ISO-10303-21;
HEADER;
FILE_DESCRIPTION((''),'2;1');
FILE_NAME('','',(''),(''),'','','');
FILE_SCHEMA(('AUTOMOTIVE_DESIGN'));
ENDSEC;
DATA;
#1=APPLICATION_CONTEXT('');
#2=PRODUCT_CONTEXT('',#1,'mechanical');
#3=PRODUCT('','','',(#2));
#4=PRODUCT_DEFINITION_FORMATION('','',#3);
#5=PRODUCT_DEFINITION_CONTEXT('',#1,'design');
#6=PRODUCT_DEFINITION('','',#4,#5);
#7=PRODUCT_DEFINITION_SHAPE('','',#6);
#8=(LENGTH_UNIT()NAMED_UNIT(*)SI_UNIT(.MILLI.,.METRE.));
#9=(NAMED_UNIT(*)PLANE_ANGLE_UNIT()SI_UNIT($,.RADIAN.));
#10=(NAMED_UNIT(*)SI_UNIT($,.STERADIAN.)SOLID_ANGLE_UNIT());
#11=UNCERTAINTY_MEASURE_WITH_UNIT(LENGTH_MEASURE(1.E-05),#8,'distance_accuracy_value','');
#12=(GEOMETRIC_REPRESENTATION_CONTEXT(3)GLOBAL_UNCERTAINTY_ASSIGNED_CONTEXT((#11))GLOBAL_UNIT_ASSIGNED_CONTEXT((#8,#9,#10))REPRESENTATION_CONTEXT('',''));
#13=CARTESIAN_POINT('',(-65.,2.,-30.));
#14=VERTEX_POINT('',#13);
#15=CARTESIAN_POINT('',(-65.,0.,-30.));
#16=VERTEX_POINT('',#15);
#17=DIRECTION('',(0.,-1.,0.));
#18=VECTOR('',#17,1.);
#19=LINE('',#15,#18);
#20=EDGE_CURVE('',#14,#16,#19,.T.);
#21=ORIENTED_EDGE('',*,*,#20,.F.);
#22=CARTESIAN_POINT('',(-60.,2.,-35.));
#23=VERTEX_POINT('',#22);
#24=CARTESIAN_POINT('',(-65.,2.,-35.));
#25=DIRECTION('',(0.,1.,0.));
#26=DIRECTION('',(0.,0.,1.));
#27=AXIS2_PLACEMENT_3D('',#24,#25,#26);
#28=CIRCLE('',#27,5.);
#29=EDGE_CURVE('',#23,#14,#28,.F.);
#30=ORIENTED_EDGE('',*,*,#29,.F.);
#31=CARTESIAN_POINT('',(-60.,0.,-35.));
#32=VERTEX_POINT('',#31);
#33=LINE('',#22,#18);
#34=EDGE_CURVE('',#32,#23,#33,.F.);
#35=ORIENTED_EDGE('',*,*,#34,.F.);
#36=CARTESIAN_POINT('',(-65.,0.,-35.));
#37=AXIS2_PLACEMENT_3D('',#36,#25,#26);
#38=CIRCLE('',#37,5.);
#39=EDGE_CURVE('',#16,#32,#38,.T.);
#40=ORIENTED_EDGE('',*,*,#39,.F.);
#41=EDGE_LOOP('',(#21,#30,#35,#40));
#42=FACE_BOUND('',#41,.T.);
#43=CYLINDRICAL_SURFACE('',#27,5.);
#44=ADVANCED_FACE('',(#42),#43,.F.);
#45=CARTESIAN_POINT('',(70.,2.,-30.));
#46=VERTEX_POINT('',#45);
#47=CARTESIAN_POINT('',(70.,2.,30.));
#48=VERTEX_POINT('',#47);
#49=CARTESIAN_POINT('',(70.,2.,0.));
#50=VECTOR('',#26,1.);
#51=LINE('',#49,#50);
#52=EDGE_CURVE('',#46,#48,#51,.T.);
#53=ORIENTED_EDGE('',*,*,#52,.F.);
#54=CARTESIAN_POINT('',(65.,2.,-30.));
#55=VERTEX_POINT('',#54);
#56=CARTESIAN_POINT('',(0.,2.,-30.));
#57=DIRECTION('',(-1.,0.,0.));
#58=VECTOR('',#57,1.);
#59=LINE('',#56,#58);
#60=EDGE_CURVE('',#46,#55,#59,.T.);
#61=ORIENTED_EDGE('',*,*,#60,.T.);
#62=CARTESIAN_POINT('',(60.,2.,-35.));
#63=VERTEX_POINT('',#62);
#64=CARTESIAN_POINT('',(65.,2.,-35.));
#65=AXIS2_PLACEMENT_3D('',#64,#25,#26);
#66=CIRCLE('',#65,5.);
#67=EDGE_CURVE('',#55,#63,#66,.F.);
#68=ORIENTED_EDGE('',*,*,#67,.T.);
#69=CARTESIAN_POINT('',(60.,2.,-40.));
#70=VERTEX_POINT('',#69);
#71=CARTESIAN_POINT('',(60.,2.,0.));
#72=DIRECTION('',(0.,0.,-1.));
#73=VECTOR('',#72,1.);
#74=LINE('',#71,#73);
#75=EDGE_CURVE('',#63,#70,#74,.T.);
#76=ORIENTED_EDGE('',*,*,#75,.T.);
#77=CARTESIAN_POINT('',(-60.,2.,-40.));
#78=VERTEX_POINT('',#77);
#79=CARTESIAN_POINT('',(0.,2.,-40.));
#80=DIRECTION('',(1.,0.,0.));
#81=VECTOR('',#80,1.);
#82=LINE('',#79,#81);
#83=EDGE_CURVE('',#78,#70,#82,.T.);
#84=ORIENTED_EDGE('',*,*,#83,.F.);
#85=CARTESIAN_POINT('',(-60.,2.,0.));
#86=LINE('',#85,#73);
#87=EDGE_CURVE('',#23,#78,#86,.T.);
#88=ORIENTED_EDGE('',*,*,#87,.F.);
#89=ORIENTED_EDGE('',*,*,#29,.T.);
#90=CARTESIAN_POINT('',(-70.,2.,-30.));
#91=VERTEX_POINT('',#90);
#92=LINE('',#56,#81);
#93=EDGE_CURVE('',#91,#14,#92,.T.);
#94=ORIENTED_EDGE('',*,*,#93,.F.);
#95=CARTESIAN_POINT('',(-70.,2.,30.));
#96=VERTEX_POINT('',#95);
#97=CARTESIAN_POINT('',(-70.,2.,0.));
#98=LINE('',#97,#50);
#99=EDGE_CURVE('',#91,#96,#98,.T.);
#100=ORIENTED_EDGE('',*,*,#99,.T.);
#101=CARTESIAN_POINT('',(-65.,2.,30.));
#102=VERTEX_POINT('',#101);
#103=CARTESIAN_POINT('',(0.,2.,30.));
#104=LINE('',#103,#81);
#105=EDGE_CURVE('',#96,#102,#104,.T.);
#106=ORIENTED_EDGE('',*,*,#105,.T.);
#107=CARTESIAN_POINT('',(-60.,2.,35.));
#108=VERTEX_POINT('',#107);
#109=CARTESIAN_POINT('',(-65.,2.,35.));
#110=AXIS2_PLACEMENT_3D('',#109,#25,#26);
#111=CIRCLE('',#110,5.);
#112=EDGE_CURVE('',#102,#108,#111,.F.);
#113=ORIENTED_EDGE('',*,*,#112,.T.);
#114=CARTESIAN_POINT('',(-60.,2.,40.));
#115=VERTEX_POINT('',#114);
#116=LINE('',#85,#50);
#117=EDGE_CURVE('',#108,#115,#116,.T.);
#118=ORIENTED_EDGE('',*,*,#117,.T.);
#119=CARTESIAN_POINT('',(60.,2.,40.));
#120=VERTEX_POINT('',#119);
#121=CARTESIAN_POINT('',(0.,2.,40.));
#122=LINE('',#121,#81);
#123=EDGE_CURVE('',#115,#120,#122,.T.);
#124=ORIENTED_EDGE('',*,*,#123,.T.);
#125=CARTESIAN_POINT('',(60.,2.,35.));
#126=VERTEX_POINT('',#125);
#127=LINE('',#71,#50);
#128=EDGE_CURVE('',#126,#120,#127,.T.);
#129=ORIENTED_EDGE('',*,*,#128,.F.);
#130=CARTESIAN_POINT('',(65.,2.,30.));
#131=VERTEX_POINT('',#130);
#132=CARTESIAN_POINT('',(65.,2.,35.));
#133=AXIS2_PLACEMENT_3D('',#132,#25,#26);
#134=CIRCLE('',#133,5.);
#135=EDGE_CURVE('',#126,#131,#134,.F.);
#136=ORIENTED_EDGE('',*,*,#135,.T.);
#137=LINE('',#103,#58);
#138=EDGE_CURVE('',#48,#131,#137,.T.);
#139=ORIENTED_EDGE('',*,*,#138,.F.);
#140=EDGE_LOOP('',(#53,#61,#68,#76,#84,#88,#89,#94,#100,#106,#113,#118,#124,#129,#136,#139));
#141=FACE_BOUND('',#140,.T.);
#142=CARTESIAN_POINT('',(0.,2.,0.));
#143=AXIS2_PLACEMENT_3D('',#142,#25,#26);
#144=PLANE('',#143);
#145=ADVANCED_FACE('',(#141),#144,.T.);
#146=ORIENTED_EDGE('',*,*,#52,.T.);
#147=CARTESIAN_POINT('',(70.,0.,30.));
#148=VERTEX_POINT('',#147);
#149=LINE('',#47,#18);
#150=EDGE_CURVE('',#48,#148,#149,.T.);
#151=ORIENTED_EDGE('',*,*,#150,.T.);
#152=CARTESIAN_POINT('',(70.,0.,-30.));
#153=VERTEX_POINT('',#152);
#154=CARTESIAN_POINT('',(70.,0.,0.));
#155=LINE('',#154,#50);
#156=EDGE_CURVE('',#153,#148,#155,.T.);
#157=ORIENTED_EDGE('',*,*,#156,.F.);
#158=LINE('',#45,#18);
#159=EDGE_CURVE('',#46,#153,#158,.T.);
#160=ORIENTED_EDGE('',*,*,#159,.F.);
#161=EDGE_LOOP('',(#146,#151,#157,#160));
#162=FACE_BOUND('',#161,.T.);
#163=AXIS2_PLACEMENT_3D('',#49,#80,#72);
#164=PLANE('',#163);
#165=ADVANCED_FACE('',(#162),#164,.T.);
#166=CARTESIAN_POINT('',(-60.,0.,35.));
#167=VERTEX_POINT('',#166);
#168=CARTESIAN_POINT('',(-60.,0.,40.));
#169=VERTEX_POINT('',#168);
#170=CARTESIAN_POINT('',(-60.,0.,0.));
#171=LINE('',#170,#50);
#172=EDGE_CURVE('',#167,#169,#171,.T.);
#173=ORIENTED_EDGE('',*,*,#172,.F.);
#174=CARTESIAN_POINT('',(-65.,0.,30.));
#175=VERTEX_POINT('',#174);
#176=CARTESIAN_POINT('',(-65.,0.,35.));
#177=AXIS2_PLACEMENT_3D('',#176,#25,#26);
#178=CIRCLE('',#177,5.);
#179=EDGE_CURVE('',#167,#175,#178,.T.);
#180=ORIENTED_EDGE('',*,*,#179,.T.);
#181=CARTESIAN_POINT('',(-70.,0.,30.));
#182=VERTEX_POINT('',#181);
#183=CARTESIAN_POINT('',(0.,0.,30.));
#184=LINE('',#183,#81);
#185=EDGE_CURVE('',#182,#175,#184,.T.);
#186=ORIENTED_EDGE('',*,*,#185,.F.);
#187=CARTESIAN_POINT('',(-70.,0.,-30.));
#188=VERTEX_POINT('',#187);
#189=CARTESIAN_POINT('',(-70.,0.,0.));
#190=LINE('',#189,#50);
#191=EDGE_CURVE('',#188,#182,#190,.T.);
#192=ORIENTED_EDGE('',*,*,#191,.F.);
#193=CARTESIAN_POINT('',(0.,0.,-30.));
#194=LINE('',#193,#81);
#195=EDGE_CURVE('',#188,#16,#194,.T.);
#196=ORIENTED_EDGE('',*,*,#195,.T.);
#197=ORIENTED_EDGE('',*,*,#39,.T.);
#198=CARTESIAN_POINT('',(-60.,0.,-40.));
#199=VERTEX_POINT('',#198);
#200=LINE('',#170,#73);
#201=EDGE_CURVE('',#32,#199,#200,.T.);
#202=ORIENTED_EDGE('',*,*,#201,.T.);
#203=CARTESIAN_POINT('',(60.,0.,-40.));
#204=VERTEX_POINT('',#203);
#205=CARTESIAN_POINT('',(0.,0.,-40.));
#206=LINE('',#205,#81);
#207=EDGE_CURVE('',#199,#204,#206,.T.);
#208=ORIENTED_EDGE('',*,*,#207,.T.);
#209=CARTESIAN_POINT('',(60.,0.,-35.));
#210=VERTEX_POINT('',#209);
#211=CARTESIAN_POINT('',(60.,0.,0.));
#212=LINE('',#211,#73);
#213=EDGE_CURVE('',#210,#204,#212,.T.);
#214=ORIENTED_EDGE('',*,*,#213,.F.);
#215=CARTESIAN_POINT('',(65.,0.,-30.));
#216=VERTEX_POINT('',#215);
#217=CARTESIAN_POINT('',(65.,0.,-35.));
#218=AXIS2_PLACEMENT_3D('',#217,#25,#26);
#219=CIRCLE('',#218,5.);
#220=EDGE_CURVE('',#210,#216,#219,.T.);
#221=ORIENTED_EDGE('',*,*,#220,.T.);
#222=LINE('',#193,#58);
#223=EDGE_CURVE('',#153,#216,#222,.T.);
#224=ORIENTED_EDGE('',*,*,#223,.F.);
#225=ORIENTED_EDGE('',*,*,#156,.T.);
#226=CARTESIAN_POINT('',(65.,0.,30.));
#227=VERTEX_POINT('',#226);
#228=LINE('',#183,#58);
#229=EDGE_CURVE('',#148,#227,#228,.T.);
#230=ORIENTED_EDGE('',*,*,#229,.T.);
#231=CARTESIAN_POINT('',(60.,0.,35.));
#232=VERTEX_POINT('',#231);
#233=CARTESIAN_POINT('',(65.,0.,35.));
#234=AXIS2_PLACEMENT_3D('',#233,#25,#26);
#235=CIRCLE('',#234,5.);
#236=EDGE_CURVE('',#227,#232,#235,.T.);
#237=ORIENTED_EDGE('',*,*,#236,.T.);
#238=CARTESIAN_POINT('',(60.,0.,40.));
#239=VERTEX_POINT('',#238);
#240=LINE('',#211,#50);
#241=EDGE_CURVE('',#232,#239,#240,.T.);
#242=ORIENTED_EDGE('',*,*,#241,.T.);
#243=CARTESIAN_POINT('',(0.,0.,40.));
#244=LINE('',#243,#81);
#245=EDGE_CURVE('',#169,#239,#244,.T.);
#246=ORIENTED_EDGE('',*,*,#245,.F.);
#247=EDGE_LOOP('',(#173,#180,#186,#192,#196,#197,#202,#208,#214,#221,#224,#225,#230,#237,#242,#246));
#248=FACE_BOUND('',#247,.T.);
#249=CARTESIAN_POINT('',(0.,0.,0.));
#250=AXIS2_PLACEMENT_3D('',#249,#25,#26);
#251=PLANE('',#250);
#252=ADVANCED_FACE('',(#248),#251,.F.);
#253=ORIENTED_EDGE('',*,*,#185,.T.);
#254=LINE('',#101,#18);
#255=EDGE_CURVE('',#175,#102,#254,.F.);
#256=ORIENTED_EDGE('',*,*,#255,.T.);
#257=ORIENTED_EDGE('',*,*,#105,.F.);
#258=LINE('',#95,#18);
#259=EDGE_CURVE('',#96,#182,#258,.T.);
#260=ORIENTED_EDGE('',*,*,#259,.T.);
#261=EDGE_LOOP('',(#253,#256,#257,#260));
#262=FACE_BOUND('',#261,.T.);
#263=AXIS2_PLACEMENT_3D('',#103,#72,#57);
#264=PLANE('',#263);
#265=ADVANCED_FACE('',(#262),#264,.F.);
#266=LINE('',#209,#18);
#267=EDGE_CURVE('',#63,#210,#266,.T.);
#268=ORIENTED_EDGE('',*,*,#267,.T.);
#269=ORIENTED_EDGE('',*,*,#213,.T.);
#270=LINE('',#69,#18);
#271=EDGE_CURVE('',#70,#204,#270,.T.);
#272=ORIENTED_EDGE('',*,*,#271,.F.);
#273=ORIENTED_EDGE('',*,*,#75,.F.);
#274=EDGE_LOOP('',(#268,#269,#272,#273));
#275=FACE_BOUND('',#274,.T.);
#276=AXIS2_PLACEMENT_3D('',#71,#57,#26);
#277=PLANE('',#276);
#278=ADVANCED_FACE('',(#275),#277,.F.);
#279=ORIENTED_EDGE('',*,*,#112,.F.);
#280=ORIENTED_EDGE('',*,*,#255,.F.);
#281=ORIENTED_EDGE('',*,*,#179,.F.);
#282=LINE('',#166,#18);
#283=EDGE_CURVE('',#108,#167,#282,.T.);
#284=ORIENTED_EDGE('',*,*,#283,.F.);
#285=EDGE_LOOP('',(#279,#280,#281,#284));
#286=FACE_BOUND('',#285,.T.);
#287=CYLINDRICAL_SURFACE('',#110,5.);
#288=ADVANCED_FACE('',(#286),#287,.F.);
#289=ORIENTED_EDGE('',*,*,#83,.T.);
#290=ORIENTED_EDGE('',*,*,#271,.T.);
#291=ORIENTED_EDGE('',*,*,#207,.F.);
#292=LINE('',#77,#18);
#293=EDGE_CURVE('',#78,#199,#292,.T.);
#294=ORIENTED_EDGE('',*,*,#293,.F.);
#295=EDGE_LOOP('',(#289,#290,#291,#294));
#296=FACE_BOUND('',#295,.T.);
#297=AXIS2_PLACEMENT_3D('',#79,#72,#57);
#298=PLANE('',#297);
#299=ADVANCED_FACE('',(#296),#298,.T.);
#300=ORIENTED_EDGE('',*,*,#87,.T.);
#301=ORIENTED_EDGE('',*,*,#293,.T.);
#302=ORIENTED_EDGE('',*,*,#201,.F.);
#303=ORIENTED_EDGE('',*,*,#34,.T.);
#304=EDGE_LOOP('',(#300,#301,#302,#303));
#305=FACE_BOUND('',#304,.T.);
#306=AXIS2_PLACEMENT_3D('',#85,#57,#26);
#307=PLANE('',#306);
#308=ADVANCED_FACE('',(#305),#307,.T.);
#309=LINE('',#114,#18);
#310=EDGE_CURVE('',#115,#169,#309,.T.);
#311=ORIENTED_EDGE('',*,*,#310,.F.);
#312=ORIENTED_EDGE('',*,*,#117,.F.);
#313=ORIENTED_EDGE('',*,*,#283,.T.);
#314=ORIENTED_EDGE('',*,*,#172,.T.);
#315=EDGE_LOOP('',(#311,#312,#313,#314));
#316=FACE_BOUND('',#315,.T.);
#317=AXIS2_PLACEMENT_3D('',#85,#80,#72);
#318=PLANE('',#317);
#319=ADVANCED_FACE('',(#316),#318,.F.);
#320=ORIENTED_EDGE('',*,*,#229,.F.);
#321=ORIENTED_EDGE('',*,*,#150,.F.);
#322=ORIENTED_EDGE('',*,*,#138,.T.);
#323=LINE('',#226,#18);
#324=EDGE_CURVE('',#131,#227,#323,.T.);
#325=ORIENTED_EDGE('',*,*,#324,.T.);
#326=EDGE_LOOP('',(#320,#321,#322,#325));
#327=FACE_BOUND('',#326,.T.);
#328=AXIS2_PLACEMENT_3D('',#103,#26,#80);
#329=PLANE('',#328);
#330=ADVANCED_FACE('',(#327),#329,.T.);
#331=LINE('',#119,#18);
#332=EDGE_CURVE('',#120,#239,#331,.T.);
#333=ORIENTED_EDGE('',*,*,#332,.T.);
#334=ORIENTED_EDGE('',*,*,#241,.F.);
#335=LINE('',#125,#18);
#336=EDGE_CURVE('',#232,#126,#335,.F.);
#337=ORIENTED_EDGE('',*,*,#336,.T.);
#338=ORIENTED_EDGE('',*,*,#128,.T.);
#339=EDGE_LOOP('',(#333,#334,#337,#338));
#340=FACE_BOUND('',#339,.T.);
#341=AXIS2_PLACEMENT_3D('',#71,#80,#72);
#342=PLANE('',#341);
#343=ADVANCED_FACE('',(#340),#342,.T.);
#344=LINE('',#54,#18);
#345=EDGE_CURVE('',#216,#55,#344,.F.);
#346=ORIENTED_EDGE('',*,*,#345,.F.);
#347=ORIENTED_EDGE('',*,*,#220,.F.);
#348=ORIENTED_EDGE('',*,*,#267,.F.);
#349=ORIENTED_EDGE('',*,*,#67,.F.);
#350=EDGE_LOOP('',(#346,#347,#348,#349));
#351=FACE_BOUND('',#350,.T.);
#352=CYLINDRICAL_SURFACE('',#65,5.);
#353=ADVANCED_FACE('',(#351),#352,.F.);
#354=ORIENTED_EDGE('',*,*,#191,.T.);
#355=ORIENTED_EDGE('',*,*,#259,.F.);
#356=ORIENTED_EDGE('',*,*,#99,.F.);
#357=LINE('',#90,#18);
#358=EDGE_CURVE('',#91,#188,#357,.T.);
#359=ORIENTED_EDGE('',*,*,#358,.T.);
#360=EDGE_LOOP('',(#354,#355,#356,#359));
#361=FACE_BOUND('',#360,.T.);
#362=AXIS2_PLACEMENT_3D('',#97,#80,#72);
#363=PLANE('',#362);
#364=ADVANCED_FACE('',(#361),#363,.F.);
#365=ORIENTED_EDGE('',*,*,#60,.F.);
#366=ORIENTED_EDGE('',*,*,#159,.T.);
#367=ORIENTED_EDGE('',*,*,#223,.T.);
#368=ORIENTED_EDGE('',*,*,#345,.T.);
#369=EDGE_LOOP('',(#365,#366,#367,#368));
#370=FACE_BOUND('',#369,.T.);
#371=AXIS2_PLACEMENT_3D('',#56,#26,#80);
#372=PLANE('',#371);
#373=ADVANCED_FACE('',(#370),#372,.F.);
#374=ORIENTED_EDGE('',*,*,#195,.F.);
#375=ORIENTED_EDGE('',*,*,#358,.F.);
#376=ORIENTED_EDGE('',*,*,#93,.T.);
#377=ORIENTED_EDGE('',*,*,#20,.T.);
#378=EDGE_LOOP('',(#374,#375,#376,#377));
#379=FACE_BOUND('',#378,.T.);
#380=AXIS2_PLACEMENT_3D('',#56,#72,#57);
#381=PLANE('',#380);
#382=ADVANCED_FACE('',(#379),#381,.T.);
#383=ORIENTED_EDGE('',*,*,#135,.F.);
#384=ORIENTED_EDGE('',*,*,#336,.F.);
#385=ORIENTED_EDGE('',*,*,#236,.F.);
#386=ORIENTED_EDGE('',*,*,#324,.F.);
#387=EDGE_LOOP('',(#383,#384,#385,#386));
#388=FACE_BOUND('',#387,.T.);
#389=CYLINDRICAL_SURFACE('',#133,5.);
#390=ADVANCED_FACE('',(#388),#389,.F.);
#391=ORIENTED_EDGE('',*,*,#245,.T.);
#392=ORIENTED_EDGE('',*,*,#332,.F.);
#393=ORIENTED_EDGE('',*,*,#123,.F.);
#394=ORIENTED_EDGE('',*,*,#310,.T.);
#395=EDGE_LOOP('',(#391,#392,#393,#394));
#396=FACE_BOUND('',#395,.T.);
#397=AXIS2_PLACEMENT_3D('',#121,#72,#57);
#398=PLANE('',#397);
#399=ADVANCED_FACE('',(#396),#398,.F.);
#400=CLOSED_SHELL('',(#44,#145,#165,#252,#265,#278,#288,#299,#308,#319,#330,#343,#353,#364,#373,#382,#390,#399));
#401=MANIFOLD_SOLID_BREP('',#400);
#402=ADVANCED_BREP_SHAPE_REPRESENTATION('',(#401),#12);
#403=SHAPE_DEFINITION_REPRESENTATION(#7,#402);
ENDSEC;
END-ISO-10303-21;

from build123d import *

# Parameters (mm, degrees)
SKETCH1_W           = 2
SKETCH1_H           = 56
SKETCH1_W_2         = 116
SKETCH1_H_2         = 2
BOSS_EXTRUDE8_DEPTH = 2
FILLET1_R           = 5


with BuildPart() as part:
    # Sketch1 → Boss-Extrude8 (new body)
    with BuildSketch(Plane(origin=(0, 0, 0), x_dir=(1, 0, 0), z_dir=(0, 1, 0))):
        with Locations((-69, 0)):
            Rectangle(SKETCH1_W, SKETCH1_H)
        Polygon((-58, 38), (-58, 40), (-60, 40), (-60, 30), (-70, 30), (-70, 28), (-68, 28), (-58, 28), align=None)
        with Locations((0, 39)):
            Rectangle(SKETCH1_W_2, SKETCH1_H_2)
        Polygon((68, -28), (68, 28), (58, 28), (58, 38), (-58, 38), (-58, 28), (-68, 28), (-68, -28), (-58, -28), (-58, -38), (58, -38), (58, -28), align=None)
        Polygon((70, 28), (70, 30), (60, 30), (60, 40), (58, 40), (58, 38), (58, 28), (68, 28), align=None)
        with Locations((69, 0)):
            Rectangle(SKETCH1_W, SKETCH1_H)
        Polygon((70, -30), (70, -28), (68, -28), (58, -28), (58, -38), (58, -40), (60, -40), (60, -30), align=None)
        with Locations((0, -39)):
            Rectangle(SKETCH1_W_2, SKETCH1_H_2)
        Polygon((-58, -40), (-58, -38), (-58, -28), (-68, -28), (-70, -28), (-70, -30), (-60, -30), (-60, -40), align=None)
    extrude(amount=BOSS_EXTRUDE8_DEPTH)

    # Fillet1
    fillet1_edges = [part.edges().sort_by_distance(p)[0] for p in [
        (60, 1, 30),
        (-60, 1, 30),
        (-60, 1, -30),
        (60, 1, -30),
    ]]
    fillet(fillet1_edges, radius=FILLET1_R)


solid = part.part
